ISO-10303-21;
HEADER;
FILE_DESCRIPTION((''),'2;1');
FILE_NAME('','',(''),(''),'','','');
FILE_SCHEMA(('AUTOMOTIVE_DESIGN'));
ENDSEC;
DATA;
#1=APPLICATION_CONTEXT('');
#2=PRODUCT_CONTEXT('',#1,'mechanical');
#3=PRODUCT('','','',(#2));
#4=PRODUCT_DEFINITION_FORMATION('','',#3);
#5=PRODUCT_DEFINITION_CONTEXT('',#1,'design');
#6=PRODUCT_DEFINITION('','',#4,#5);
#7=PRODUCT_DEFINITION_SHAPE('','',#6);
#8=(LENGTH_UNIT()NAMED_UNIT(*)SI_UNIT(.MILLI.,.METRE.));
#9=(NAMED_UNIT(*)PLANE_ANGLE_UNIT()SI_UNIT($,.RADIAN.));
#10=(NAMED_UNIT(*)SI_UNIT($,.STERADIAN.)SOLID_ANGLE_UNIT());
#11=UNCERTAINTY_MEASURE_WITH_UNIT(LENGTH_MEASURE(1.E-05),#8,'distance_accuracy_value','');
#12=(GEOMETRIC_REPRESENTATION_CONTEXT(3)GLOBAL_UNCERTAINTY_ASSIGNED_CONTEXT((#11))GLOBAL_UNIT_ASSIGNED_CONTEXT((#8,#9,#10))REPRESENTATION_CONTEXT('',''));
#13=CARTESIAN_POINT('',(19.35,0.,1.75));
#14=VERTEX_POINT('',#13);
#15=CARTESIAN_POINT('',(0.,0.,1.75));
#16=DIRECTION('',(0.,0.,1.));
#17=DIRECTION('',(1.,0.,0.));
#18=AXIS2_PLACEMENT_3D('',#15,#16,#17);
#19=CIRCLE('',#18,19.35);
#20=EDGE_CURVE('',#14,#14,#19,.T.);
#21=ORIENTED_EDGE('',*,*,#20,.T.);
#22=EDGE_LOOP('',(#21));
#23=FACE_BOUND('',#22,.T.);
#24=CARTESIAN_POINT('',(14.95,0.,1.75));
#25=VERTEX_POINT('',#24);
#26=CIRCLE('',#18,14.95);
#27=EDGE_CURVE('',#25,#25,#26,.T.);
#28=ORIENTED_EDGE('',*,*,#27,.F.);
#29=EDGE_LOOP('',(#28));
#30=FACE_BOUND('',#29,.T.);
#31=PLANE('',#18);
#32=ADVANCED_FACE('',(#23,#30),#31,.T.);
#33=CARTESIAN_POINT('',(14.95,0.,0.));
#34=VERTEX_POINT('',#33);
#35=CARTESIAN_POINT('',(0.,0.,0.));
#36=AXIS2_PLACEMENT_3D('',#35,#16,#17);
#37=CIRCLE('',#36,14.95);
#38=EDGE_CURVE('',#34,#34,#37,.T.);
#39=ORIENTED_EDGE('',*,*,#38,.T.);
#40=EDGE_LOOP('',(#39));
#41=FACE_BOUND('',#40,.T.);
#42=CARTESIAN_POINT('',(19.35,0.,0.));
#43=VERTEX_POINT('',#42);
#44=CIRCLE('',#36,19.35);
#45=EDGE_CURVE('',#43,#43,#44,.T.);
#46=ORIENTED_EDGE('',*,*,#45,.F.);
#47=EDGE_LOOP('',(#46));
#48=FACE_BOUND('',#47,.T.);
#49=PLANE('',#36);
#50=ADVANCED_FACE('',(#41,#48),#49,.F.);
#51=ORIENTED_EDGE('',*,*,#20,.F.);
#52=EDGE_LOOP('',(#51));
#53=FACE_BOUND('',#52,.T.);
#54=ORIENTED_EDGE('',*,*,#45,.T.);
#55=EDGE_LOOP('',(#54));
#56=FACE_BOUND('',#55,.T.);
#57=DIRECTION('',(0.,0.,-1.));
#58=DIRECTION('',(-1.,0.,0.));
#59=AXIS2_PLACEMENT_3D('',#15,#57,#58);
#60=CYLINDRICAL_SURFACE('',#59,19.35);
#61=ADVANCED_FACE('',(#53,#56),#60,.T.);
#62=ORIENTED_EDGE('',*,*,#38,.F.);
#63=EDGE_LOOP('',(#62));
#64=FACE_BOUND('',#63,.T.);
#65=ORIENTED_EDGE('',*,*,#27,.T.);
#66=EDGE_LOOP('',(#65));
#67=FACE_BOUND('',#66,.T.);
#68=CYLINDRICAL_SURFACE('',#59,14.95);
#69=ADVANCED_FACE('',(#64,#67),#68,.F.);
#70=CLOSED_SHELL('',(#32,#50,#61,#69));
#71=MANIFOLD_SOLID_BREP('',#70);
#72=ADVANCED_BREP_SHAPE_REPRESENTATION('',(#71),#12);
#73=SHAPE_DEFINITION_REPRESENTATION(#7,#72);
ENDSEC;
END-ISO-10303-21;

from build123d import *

# Parameters (mm, degrees)
SKETCH3_R           = 19.35
SKETCH3_R_2         = 14.95
BOSS_EXTRUDE1_DEPTH = 1.75


with BuildPart() as part:
    # Sketch3 → Boss-Extrude1 (new body)
    with BuildSketch(Plane.XY):
        Circle(SKETCH3_R)
        Circle(SKETCH3_R_2, mode=Mode.SUBTRACT)
    extrude(amount=BOSS_EXTRUDE1_DEPTH)


solid = part.part
